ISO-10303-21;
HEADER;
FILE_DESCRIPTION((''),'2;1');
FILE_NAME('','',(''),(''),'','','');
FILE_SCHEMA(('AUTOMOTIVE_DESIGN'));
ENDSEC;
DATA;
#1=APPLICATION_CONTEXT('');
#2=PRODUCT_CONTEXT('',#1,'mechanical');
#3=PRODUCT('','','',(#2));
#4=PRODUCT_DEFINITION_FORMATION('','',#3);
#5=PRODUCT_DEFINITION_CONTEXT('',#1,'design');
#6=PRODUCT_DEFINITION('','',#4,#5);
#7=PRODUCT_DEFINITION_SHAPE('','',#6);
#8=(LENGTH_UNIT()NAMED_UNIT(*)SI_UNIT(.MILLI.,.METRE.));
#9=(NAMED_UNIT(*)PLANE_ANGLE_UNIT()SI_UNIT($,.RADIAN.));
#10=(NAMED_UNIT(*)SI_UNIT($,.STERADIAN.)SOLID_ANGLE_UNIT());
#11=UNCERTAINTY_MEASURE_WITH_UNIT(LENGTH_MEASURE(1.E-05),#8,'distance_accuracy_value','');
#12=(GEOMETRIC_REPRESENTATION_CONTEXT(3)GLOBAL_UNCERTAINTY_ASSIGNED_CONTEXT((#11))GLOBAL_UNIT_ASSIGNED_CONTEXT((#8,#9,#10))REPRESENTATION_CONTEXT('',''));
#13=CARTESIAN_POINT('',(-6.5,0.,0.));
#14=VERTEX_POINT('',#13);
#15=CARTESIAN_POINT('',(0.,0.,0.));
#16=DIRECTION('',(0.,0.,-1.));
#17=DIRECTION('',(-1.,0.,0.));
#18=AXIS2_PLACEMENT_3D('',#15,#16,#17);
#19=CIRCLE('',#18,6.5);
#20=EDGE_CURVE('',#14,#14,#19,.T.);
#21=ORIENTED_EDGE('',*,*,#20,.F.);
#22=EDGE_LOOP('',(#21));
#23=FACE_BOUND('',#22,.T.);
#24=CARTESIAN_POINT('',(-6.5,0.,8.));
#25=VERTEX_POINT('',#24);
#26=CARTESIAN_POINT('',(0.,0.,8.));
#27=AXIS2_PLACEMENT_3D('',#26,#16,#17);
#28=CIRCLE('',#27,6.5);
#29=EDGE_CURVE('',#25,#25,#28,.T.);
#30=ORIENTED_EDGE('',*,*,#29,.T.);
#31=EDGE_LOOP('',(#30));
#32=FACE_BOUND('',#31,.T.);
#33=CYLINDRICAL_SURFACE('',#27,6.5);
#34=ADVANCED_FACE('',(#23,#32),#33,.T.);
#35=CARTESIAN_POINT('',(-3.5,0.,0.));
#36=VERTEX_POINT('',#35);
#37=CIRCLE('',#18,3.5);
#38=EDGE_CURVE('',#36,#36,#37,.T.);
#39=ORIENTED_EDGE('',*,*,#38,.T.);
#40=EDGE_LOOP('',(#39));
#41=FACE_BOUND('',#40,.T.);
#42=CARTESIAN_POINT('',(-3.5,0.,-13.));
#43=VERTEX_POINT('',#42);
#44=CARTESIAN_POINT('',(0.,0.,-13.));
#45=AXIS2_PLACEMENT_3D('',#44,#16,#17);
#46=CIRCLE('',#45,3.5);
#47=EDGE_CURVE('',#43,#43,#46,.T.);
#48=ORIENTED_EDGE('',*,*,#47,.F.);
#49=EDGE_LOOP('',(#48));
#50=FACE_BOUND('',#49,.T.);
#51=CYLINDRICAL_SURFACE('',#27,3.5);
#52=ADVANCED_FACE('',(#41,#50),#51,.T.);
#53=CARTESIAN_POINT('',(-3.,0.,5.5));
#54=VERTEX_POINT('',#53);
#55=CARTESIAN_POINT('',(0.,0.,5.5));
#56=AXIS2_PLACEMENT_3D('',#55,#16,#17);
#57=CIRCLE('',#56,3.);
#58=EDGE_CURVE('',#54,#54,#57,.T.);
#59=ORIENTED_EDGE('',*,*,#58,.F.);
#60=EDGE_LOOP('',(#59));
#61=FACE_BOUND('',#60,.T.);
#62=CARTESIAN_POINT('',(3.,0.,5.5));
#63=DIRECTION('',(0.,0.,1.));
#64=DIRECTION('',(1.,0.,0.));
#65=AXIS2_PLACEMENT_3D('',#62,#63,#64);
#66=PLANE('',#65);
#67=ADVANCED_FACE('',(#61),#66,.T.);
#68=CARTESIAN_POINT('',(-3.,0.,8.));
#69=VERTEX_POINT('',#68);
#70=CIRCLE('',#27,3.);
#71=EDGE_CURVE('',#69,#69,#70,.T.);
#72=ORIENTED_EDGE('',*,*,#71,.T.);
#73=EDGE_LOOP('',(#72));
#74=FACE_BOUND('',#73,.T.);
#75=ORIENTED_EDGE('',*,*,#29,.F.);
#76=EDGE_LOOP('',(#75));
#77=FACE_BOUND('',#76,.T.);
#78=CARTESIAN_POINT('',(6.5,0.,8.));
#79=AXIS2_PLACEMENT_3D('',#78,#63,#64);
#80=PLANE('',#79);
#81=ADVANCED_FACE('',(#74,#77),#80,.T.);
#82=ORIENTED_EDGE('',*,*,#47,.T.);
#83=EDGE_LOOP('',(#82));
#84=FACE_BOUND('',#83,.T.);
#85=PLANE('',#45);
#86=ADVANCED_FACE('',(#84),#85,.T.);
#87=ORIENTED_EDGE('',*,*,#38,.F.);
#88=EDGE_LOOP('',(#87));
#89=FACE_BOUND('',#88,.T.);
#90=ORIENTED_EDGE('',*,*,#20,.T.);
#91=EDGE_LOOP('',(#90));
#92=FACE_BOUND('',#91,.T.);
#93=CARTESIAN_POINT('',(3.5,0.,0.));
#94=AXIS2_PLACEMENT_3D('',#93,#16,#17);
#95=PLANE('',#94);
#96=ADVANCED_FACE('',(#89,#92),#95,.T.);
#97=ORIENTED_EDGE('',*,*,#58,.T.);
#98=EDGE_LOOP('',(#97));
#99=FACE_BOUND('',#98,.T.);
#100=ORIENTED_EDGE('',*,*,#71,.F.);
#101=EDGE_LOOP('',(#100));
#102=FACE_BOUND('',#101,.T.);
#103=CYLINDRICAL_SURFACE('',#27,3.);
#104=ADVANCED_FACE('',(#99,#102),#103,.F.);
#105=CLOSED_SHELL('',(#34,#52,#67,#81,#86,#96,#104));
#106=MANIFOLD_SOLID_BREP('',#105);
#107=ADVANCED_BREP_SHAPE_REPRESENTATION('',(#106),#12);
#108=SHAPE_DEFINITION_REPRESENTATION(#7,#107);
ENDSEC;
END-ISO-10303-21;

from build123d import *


with BuildPart() as part:
    # Sketch1 → Revolve1 (revolve)
    with BuildSketch(Plane.XZ):
        Polygon((3, 5.5), (0, 5.5), (0, -13), (3.5, -13), (3.5, 0), (6.5, 0), (6.5, 8), (3, 8), align=None)
    revolve(axis=Axis((0, 0, 8), (0, 0, -1)))


solid = part.part
